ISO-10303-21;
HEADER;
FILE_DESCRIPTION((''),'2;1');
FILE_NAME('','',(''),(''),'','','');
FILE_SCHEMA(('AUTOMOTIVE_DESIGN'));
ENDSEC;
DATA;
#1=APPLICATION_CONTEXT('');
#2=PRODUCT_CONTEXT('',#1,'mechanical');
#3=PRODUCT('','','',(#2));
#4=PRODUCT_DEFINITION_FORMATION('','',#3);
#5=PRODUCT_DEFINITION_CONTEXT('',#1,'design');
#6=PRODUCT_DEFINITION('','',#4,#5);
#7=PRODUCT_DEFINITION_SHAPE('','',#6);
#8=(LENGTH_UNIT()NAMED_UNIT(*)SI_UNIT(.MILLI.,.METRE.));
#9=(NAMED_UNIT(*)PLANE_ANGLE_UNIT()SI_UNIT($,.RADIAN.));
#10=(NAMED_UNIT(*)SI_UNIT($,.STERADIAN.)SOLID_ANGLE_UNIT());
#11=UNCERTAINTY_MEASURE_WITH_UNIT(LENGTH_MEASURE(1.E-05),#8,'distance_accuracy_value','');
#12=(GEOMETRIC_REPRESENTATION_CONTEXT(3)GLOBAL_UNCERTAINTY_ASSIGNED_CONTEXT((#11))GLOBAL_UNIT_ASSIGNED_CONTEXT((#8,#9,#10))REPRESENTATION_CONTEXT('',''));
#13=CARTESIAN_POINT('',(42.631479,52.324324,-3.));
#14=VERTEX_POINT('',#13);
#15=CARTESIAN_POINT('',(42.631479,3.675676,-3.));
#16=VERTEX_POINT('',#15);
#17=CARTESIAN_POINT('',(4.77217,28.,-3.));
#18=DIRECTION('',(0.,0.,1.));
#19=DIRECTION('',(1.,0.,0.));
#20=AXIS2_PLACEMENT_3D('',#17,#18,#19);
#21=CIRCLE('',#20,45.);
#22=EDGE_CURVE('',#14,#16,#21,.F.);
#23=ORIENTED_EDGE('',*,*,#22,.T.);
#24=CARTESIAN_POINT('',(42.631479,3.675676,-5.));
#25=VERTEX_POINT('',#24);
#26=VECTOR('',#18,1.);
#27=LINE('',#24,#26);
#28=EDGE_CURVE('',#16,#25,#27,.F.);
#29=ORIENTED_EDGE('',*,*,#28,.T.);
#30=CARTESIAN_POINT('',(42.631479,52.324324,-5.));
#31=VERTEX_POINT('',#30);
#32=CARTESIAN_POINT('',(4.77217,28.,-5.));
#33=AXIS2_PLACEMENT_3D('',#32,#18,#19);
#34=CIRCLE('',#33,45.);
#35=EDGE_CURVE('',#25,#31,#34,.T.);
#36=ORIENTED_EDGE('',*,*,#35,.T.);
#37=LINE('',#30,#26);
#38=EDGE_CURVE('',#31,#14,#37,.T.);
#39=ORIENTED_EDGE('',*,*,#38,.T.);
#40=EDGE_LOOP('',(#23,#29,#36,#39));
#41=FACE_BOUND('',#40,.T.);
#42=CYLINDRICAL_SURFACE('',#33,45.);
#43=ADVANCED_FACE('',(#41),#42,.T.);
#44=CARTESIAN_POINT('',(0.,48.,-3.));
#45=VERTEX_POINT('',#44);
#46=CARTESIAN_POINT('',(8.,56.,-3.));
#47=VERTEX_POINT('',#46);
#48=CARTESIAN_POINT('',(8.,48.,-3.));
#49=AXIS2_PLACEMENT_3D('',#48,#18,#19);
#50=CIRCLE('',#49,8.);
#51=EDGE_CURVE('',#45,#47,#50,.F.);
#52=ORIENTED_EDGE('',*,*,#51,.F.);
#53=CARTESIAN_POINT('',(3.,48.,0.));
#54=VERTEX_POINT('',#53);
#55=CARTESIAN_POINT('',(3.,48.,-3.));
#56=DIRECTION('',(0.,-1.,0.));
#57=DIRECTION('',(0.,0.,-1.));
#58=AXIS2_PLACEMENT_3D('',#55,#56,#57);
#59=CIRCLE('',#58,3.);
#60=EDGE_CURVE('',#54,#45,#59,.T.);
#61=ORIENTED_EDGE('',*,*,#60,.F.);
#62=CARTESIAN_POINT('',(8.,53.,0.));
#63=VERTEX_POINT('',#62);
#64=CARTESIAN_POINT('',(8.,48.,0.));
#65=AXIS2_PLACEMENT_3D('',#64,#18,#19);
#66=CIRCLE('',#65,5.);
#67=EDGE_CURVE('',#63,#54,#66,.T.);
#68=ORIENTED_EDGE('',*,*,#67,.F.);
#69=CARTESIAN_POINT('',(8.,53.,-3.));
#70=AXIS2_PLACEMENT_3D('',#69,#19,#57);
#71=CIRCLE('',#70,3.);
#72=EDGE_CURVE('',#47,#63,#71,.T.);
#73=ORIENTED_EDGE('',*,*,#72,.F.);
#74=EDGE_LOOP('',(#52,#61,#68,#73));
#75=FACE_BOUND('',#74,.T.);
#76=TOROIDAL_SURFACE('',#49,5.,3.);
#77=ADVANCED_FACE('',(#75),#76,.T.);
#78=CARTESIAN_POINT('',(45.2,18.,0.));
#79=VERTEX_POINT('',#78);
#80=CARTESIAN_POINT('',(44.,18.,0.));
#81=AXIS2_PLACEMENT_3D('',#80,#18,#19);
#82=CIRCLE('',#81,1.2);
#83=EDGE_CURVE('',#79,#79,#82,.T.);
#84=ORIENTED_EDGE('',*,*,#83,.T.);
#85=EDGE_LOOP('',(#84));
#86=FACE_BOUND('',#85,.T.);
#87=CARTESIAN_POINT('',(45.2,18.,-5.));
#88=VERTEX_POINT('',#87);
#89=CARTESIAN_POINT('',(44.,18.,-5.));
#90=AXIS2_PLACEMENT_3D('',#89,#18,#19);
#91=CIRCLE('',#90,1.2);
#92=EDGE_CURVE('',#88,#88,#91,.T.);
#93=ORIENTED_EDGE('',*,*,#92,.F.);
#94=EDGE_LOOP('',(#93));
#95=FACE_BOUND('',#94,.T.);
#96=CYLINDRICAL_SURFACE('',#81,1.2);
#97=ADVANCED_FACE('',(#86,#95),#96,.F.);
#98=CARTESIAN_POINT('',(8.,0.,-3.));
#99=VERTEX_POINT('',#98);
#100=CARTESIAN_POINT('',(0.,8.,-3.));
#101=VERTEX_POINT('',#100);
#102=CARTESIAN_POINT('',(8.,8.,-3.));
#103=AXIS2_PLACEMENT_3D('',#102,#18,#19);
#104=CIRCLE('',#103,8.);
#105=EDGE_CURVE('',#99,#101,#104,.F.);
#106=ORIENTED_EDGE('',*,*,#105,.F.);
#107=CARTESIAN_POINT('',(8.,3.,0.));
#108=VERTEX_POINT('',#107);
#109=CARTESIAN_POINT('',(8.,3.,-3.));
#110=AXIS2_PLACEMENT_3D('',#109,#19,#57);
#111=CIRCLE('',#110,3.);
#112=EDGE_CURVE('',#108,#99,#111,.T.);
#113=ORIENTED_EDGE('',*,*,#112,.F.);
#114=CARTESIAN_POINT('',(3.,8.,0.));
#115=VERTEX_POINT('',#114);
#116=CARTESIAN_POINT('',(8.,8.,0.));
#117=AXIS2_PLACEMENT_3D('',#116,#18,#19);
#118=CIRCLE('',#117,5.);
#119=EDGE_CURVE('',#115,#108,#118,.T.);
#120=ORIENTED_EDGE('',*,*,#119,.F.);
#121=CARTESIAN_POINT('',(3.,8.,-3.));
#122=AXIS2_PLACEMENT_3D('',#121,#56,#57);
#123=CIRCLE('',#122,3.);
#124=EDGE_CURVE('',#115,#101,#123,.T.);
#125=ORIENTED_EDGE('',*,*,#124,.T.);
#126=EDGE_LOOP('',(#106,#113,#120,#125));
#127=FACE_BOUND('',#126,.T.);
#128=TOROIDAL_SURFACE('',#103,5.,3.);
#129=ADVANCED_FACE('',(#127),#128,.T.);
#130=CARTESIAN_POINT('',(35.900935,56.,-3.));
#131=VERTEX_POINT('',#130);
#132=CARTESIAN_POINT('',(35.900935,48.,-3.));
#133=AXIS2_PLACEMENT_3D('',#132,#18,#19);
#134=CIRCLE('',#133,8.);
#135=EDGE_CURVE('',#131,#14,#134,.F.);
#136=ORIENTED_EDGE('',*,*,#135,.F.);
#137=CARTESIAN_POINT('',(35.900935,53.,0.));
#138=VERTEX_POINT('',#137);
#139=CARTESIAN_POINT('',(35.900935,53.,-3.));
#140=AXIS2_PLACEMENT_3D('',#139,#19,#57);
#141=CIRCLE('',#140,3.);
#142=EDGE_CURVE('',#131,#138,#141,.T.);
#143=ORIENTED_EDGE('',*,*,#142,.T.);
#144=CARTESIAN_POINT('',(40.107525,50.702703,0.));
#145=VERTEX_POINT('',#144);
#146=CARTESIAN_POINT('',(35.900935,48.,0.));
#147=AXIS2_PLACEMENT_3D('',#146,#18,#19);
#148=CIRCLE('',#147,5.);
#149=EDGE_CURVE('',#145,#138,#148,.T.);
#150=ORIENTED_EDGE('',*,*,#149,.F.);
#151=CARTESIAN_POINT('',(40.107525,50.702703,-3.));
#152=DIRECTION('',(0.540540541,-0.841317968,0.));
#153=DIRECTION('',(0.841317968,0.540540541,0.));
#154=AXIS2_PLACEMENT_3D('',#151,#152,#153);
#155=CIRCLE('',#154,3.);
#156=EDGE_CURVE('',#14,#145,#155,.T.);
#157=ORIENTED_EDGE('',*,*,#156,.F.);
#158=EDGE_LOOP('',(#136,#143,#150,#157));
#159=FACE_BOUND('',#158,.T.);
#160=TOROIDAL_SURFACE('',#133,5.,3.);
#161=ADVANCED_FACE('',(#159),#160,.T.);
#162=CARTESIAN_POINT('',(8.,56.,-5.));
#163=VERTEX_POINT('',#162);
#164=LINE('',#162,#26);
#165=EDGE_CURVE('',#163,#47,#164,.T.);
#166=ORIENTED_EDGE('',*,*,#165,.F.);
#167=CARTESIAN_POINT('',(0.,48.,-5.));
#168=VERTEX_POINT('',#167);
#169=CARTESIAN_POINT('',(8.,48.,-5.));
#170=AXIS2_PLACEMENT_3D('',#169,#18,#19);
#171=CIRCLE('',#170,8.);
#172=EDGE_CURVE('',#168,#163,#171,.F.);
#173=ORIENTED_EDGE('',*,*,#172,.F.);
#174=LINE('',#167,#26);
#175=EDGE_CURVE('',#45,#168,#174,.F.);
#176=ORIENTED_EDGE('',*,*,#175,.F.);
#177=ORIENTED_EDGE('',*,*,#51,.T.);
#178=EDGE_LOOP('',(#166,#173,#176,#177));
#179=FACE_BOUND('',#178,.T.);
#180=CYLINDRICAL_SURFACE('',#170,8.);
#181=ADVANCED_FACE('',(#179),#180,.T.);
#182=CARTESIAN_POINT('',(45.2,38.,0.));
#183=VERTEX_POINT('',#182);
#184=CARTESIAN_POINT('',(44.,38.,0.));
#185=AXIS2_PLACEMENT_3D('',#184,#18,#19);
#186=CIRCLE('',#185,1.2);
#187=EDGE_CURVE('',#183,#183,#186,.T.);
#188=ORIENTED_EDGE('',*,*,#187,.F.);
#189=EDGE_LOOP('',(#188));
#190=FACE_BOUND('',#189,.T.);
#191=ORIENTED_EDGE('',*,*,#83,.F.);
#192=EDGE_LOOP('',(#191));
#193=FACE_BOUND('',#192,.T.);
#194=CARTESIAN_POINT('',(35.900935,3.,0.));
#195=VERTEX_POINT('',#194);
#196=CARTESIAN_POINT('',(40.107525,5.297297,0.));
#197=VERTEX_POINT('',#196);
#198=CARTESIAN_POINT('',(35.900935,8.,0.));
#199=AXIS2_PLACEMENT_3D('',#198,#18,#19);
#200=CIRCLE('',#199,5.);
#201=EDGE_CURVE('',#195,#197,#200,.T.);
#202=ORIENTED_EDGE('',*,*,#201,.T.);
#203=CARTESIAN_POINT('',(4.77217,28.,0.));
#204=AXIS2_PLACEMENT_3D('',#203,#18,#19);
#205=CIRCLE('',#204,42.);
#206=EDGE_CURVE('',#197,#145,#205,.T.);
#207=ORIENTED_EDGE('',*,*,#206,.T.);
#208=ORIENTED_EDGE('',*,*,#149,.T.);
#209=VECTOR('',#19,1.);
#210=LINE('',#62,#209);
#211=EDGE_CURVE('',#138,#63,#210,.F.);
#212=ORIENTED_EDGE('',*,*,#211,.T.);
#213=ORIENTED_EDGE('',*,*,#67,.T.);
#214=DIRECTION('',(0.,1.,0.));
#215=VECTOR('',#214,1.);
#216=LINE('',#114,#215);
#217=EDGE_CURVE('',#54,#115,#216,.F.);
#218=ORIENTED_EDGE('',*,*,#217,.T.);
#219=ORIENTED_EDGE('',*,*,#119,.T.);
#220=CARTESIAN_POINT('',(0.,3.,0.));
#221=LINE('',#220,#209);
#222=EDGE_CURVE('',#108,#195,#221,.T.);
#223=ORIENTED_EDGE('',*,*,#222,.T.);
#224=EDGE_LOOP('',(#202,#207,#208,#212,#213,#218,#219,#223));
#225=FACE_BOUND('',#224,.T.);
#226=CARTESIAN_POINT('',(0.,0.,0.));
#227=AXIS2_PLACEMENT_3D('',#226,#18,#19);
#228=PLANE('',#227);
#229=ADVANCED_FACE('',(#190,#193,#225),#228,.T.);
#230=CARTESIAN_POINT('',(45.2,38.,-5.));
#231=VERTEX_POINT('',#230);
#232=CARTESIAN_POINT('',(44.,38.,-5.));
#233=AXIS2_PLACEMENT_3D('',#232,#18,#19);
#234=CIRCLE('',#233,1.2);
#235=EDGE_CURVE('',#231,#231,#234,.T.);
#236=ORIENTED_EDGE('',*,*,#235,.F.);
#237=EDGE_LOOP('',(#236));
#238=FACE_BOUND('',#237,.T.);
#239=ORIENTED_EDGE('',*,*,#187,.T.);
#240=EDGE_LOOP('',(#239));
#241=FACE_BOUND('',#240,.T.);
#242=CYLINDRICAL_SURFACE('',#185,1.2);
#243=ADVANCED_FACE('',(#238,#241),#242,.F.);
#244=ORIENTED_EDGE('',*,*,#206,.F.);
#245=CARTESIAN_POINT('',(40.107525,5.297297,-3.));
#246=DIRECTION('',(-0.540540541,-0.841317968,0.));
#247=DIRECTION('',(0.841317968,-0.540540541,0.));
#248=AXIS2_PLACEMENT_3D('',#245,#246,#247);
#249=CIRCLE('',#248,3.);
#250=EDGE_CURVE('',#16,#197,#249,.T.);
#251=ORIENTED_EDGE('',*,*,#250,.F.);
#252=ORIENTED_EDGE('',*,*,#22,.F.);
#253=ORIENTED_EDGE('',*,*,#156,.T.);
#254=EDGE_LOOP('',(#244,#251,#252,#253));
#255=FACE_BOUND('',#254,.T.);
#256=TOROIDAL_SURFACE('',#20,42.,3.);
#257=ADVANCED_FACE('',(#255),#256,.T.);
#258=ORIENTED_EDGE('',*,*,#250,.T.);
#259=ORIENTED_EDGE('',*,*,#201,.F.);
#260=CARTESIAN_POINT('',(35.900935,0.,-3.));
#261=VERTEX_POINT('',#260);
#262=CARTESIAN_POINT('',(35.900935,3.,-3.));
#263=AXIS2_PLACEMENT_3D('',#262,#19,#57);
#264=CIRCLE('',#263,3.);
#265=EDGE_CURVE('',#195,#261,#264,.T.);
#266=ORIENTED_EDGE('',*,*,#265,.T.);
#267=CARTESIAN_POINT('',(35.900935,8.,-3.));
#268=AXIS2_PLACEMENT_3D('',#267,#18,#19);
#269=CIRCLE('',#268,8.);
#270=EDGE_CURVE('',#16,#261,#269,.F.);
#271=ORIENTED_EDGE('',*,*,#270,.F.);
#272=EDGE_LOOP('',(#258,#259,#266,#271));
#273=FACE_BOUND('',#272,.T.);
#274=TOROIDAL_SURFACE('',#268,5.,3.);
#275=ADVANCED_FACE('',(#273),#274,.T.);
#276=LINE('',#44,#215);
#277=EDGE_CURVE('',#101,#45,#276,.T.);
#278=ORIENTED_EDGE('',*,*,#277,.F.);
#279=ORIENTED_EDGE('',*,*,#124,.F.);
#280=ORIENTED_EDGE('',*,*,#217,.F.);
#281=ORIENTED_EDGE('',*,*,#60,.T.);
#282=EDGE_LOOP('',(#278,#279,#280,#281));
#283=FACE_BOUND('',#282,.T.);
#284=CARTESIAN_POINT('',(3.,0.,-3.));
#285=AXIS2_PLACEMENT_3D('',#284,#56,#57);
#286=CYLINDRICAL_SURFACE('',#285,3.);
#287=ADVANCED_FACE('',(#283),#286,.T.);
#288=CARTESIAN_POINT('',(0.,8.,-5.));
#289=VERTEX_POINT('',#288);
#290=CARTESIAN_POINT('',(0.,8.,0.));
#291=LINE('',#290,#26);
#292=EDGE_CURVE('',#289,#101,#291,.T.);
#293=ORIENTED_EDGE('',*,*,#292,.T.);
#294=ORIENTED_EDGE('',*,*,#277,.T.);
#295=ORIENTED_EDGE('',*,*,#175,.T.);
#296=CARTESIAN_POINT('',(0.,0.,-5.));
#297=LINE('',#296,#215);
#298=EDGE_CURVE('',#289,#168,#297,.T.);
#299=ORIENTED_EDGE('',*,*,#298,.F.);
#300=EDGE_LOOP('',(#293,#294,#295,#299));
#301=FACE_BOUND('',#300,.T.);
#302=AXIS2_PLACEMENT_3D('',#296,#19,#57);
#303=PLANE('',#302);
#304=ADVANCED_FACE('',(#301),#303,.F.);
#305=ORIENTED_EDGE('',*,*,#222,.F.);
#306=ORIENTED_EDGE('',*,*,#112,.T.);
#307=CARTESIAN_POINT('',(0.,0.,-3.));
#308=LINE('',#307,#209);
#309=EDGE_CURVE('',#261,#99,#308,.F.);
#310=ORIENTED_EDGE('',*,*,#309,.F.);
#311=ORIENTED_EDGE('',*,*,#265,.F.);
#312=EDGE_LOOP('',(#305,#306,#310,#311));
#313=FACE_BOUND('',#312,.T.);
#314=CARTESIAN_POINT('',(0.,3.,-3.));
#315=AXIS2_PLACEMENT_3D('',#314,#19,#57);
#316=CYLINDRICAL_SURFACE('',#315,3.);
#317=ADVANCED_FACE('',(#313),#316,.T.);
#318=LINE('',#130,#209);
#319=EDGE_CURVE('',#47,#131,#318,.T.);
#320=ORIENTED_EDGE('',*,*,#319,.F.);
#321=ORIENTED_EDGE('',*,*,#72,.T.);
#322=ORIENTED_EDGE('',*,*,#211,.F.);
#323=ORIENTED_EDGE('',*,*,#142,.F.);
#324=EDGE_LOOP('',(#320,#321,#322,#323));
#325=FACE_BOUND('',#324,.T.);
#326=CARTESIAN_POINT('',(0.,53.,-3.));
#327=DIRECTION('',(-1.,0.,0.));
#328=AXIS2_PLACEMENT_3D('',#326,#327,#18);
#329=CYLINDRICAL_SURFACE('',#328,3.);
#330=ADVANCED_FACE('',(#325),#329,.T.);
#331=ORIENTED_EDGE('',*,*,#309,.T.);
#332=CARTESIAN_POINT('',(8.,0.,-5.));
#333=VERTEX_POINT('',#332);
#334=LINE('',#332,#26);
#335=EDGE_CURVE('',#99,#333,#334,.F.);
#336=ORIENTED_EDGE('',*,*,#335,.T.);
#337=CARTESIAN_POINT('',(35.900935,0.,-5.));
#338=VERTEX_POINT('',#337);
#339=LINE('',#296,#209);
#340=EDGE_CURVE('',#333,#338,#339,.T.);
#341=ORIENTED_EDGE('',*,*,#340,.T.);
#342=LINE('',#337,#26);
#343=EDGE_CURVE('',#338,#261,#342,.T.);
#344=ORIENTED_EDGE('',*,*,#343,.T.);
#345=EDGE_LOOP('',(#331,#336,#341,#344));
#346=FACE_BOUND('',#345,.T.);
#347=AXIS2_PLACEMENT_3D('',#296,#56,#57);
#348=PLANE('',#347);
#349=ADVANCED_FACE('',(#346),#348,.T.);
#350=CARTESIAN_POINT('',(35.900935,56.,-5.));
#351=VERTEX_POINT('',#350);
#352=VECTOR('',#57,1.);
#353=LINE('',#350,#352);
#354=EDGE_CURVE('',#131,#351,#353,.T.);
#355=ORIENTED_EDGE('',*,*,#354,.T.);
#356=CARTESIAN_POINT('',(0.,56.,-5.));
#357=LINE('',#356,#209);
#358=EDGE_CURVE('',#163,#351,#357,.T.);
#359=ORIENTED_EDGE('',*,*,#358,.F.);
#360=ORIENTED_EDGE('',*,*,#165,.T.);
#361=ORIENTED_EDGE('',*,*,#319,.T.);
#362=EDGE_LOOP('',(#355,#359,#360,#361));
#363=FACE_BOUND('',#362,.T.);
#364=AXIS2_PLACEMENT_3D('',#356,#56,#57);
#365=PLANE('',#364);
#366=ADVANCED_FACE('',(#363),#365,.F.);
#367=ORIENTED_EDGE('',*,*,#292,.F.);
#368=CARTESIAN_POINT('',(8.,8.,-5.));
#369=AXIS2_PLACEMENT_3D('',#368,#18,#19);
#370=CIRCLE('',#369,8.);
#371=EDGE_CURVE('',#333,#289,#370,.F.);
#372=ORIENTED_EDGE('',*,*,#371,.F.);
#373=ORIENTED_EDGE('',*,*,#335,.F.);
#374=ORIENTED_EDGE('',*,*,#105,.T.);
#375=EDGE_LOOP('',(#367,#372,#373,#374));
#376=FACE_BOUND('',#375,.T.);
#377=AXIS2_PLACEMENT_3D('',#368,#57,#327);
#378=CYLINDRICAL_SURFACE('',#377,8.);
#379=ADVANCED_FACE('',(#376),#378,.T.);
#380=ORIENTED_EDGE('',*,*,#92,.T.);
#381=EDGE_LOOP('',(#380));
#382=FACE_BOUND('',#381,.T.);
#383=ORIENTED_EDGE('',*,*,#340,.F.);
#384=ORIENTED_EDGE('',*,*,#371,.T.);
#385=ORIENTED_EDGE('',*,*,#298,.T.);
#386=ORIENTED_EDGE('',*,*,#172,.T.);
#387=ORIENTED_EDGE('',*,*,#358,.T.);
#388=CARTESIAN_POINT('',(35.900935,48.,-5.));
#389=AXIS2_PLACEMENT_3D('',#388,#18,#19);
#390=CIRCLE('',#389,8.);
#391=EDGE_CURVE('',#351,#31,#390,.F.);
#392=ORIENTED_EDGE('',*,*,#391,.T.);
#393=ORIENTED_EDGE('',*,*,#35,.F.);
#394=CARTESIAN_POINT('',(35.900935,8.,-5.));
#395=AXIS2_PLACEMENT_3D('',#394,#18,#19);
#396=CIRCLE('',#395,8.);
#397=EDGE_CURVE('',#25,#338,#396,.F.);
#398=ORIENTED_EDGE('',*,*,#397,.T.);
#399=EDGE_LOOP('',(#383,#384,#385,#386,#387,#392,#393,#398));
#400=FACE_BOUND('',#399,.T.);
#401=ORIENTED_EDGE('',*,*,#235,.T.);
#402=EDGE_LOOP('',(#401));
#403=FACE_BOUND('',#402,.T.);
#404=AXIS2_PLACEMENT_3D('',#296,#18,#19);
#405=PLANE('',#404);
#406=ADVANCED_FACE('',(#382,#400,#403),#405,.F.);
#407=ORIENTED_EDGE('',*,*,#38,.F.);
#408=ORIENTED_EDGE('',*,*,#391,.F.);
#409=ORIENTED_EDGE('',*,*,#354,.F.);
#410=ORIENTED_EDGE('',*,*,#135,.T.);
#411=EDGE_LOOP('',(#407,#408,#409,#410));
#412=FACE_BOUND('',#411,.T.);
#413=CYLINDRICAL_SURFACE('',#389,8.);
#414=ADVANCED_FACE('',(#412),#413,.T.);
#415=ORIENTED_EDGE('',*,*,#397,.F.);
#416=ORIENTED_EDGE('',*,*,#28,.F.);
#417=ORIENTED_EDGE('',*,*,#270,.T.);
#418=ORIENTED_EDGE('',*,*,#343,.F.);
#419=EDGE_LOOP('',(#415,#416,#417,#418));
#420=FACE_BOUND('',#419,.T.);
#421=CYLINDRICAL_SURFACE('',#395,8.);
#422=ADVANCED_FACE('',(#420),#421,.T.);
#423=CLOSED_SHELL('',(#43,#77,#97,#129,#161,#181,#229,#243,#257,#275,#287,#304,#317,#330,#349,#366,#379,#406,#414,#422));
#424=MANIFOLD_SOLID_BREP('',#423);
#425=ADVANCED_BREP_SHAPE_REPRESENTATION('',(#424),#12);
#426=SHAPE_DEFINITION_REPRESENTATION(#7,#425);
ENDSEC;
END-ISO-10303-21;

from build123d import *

# Parameters (mm, degrees)
EXTRUDE_1_DEPTH       = 5
FILLET_3_R            = 8
FILLET_4_R            = 3
HOLE_WIZARD_M32_D     = 2.4
HOLE_WIZARD_M32_DEPTH = 9.278967257
HOLE_WIZARD_M32_TIP   = 0.721032743


with BuildPart() as part:
    # Эскиз1 → Бобышка-Вытянуть1 (new body)
    with BuildSketch(Plane.XY):
        with BuildLine():
            Line((0, 0), (40, 0))
            ThreePointArc((40, 0), (49.772170092, 28), (40, 56))
            Line((40, 56), (0, 56))
            Line((0, 56), (0, 0))
        make_face()
    extrude(amount=-EXTRUDE_1_DEPTH)

    # Скругление3
    fillet_3_edges = [part.edges().sort_by_distance(p)[0] for p in [
        (0, 0, -2.5),
        (0, 56, -2.5),
        (40, 56, -2.5),
        (40, 0, -2.5),
    ]]
    fillet(fillet_3_edges, radius=FILLET_3_R)

    # Скругление4
    fillet_4_edges = [part.edges().sort_by_distance(p)[0] for p in [
        (49.772170092, 28, 0),
        (21.950467462, 0, 0),
        (21.950467462, 56, 0),
        (0, 28, 0),
        (2.343145751, 53.656854249, 0),
        (2.343145751, 2.343145751, 0),
        (39.735345271, 0.978796592, 0),
        (39.735345271, 55.021203408, 0),
    ]]
    fillet(fillet_4_edges, radius=FILLET_4_R)

    # Отверстие с зазором M32
    with Locations(Plane.XY):
        with Locations((44, 38), (44, 18)):
            Hole(HOLE_WIZARD_M32_D / 2, depth=HOLE_WIZARD_M32_DEPTH)
            with Locations((0, 0, -(HOLE_WIZARD_M32_DEPTH + HOLE_WIZARD_M32_TIP / 2))):  # 118° drill point
                Cone(0, HOLE_WIZARD_M32_D / 2, HOLE_WIZARD_M32_TIP, mode=Mode.SUBTRACT)


solid = part.part
